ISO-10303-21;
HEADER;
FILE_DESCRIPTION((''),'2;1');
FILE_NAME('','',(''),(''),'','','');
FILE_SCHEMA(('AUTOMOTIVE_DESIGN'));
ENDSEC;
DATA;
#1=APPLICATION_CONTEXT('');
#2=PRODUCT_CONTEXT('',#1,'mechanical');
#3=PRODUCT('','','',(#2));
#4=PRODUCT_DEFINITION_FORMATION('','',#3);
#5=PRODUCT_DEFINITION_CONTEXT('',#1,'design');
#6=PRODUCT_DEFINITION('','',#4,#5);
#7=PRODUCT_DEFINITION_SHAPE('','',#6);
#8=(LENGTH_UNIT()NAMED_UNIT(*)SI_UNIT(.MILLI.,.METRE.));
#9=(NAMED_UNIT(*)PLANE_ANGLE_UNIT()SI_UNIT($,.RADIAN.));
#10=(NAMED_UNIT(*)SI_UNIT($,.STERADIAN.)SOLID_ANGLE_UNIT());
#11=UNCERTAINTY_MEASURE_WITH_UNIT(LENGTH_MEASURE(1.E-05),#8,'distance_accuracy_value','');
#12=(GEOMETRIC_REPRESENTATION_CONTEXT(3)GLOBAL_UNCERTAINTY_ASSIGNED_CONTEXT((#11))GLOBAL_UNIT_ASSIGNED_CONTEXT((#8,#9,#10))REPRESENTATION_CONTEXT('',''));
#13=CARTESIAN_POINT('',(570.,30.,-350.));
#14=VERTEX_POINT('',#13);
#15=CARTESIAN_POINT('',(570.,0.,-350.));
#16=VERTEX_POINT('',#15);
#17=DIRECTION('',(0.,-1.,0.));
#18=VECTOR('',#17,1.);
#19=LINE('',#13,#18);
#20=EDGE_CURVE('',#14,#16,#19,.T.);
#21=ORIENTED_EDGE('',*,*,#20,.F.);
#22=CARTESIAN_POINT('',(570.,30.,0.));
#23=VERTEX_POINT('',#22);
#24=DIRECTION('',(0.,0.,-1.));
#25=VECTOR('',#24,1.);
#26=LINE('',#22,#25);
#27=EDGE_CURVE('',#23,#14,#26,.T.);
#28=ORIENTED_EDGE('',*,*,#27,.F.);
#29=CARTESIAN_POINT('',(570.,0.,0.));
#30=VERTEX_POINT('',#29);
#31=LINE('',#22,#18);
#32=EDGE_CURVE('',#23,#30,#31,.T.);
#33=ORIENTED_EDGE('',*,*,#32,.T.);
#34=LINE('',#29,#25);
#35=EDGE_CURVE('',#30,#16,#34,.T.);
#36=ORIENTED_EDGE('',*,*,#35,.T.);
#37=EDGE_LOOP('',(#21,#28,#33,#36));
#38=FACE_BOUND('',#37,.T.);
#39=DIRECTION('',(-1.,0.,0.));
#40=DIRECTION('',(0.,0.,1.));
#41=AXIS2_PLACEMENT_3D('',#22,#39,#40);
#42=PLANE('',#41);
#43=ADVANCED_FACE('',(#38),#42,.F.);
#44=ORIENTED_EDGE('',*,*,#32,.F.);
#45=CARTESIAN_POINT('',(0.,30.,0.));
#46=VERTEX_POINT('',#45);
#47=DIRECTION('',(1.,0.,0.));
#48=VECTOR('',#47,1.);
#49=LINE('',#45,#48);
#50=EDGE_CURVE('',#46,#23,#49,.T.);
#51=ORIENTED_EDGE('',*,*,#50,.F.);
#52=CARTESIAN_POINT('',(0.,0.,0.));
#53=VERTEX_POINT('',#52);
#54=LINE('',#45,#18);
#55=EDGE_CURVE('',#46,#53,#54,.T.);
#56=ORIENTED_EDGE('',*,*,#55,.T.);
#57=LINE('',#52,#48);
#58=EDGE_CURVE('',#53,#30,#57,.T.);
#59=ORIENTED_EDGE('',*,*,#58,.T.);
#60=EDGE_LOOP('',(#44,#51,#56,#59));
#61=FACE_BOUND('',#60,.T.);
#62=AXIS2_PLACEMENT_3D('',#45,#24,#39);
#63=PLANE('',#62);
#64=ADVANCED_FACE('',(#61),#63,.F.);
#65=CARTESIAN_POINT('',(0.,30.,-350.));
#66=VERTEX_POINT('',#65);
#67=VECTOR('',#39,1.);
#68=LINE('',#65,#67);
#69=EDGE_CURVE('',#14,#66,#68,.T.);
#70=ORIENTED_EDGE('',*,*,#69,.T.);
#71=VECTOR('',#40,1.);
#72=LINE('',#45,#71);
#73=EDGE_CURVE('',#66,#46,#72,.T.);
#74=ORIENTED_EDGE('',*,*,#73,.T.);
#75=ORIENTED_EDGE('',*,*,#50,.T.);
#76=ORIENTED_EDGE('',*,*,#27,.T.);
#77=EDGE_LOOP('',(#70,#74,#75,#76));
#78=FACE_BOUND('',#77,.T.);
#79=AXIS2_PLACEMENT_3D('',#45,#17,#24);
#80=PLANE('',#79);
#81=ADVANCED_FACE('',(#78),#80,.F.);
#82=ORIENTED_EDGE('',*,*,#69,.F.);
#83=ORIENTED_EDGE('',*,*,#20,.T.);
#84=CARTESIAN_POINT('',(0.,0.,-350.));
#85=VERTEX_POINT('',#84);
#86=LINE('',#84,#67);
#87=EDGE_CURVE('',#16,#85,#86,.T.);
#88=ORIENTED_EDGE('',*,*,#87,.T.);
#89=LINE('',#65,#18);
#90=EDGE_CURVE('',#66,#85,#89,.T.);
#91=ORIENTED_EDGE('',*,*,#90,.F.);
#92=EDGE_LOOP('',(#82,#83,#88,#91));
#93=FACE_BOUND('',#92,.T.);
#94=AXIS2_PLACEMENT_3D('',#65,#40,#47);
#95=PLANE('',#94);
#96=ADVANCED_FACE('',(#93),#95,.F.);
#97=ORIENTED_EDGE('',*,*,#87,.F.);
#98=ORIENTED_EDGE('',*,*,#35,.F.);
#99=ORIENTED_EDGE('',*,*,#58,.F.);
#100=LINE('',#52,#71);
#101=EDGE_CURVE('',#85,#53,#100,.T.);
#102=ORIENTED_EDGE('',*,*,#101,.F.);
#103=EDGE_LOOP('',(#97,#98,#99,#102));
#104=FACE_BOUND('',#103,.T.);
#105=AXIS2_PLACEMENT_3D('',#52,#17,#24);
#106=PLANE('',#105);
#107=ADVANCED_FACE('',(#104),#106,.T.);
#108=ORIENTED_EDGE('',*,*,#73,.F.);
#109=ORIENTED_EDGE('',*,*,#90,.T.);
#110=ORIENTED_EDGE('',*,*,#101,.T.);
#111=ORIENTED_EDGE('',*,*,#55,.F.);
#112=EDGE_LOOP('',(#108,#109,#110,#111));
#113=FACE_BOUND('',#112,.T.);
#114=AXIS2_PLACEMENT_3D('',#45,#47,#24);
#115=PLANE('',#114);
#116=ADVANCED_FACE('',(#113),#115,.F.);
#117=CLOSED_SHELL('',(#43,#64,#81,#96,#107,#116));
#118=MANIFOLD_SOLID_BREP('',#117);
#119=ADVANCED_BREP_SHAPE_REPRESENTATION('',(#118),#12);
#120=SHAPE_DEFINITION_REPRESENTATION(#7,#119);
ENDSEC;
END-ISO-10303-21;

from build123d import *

# Parameters (mm, degrees)
SKETCH_1_W      = 570
SKETCH_1_H      = 350
EXTRUDE_1_DEPTH = 30


with BuildPart() as part:
    # Эскиз1 → Бобышка-Вытянуть1 (new body)
    with BuildSketch(Plane(origin=(0, 0, 0), x_dir=(1, 0, 0), z_dir=(0, 1, 0))):
        with Locations((285, 175)):
            Rectangle(SKETCH_1_W, SKETCH_1_H)
    extrude(amount=EXTRUDE_1_DEPTH)


solid = part.part
